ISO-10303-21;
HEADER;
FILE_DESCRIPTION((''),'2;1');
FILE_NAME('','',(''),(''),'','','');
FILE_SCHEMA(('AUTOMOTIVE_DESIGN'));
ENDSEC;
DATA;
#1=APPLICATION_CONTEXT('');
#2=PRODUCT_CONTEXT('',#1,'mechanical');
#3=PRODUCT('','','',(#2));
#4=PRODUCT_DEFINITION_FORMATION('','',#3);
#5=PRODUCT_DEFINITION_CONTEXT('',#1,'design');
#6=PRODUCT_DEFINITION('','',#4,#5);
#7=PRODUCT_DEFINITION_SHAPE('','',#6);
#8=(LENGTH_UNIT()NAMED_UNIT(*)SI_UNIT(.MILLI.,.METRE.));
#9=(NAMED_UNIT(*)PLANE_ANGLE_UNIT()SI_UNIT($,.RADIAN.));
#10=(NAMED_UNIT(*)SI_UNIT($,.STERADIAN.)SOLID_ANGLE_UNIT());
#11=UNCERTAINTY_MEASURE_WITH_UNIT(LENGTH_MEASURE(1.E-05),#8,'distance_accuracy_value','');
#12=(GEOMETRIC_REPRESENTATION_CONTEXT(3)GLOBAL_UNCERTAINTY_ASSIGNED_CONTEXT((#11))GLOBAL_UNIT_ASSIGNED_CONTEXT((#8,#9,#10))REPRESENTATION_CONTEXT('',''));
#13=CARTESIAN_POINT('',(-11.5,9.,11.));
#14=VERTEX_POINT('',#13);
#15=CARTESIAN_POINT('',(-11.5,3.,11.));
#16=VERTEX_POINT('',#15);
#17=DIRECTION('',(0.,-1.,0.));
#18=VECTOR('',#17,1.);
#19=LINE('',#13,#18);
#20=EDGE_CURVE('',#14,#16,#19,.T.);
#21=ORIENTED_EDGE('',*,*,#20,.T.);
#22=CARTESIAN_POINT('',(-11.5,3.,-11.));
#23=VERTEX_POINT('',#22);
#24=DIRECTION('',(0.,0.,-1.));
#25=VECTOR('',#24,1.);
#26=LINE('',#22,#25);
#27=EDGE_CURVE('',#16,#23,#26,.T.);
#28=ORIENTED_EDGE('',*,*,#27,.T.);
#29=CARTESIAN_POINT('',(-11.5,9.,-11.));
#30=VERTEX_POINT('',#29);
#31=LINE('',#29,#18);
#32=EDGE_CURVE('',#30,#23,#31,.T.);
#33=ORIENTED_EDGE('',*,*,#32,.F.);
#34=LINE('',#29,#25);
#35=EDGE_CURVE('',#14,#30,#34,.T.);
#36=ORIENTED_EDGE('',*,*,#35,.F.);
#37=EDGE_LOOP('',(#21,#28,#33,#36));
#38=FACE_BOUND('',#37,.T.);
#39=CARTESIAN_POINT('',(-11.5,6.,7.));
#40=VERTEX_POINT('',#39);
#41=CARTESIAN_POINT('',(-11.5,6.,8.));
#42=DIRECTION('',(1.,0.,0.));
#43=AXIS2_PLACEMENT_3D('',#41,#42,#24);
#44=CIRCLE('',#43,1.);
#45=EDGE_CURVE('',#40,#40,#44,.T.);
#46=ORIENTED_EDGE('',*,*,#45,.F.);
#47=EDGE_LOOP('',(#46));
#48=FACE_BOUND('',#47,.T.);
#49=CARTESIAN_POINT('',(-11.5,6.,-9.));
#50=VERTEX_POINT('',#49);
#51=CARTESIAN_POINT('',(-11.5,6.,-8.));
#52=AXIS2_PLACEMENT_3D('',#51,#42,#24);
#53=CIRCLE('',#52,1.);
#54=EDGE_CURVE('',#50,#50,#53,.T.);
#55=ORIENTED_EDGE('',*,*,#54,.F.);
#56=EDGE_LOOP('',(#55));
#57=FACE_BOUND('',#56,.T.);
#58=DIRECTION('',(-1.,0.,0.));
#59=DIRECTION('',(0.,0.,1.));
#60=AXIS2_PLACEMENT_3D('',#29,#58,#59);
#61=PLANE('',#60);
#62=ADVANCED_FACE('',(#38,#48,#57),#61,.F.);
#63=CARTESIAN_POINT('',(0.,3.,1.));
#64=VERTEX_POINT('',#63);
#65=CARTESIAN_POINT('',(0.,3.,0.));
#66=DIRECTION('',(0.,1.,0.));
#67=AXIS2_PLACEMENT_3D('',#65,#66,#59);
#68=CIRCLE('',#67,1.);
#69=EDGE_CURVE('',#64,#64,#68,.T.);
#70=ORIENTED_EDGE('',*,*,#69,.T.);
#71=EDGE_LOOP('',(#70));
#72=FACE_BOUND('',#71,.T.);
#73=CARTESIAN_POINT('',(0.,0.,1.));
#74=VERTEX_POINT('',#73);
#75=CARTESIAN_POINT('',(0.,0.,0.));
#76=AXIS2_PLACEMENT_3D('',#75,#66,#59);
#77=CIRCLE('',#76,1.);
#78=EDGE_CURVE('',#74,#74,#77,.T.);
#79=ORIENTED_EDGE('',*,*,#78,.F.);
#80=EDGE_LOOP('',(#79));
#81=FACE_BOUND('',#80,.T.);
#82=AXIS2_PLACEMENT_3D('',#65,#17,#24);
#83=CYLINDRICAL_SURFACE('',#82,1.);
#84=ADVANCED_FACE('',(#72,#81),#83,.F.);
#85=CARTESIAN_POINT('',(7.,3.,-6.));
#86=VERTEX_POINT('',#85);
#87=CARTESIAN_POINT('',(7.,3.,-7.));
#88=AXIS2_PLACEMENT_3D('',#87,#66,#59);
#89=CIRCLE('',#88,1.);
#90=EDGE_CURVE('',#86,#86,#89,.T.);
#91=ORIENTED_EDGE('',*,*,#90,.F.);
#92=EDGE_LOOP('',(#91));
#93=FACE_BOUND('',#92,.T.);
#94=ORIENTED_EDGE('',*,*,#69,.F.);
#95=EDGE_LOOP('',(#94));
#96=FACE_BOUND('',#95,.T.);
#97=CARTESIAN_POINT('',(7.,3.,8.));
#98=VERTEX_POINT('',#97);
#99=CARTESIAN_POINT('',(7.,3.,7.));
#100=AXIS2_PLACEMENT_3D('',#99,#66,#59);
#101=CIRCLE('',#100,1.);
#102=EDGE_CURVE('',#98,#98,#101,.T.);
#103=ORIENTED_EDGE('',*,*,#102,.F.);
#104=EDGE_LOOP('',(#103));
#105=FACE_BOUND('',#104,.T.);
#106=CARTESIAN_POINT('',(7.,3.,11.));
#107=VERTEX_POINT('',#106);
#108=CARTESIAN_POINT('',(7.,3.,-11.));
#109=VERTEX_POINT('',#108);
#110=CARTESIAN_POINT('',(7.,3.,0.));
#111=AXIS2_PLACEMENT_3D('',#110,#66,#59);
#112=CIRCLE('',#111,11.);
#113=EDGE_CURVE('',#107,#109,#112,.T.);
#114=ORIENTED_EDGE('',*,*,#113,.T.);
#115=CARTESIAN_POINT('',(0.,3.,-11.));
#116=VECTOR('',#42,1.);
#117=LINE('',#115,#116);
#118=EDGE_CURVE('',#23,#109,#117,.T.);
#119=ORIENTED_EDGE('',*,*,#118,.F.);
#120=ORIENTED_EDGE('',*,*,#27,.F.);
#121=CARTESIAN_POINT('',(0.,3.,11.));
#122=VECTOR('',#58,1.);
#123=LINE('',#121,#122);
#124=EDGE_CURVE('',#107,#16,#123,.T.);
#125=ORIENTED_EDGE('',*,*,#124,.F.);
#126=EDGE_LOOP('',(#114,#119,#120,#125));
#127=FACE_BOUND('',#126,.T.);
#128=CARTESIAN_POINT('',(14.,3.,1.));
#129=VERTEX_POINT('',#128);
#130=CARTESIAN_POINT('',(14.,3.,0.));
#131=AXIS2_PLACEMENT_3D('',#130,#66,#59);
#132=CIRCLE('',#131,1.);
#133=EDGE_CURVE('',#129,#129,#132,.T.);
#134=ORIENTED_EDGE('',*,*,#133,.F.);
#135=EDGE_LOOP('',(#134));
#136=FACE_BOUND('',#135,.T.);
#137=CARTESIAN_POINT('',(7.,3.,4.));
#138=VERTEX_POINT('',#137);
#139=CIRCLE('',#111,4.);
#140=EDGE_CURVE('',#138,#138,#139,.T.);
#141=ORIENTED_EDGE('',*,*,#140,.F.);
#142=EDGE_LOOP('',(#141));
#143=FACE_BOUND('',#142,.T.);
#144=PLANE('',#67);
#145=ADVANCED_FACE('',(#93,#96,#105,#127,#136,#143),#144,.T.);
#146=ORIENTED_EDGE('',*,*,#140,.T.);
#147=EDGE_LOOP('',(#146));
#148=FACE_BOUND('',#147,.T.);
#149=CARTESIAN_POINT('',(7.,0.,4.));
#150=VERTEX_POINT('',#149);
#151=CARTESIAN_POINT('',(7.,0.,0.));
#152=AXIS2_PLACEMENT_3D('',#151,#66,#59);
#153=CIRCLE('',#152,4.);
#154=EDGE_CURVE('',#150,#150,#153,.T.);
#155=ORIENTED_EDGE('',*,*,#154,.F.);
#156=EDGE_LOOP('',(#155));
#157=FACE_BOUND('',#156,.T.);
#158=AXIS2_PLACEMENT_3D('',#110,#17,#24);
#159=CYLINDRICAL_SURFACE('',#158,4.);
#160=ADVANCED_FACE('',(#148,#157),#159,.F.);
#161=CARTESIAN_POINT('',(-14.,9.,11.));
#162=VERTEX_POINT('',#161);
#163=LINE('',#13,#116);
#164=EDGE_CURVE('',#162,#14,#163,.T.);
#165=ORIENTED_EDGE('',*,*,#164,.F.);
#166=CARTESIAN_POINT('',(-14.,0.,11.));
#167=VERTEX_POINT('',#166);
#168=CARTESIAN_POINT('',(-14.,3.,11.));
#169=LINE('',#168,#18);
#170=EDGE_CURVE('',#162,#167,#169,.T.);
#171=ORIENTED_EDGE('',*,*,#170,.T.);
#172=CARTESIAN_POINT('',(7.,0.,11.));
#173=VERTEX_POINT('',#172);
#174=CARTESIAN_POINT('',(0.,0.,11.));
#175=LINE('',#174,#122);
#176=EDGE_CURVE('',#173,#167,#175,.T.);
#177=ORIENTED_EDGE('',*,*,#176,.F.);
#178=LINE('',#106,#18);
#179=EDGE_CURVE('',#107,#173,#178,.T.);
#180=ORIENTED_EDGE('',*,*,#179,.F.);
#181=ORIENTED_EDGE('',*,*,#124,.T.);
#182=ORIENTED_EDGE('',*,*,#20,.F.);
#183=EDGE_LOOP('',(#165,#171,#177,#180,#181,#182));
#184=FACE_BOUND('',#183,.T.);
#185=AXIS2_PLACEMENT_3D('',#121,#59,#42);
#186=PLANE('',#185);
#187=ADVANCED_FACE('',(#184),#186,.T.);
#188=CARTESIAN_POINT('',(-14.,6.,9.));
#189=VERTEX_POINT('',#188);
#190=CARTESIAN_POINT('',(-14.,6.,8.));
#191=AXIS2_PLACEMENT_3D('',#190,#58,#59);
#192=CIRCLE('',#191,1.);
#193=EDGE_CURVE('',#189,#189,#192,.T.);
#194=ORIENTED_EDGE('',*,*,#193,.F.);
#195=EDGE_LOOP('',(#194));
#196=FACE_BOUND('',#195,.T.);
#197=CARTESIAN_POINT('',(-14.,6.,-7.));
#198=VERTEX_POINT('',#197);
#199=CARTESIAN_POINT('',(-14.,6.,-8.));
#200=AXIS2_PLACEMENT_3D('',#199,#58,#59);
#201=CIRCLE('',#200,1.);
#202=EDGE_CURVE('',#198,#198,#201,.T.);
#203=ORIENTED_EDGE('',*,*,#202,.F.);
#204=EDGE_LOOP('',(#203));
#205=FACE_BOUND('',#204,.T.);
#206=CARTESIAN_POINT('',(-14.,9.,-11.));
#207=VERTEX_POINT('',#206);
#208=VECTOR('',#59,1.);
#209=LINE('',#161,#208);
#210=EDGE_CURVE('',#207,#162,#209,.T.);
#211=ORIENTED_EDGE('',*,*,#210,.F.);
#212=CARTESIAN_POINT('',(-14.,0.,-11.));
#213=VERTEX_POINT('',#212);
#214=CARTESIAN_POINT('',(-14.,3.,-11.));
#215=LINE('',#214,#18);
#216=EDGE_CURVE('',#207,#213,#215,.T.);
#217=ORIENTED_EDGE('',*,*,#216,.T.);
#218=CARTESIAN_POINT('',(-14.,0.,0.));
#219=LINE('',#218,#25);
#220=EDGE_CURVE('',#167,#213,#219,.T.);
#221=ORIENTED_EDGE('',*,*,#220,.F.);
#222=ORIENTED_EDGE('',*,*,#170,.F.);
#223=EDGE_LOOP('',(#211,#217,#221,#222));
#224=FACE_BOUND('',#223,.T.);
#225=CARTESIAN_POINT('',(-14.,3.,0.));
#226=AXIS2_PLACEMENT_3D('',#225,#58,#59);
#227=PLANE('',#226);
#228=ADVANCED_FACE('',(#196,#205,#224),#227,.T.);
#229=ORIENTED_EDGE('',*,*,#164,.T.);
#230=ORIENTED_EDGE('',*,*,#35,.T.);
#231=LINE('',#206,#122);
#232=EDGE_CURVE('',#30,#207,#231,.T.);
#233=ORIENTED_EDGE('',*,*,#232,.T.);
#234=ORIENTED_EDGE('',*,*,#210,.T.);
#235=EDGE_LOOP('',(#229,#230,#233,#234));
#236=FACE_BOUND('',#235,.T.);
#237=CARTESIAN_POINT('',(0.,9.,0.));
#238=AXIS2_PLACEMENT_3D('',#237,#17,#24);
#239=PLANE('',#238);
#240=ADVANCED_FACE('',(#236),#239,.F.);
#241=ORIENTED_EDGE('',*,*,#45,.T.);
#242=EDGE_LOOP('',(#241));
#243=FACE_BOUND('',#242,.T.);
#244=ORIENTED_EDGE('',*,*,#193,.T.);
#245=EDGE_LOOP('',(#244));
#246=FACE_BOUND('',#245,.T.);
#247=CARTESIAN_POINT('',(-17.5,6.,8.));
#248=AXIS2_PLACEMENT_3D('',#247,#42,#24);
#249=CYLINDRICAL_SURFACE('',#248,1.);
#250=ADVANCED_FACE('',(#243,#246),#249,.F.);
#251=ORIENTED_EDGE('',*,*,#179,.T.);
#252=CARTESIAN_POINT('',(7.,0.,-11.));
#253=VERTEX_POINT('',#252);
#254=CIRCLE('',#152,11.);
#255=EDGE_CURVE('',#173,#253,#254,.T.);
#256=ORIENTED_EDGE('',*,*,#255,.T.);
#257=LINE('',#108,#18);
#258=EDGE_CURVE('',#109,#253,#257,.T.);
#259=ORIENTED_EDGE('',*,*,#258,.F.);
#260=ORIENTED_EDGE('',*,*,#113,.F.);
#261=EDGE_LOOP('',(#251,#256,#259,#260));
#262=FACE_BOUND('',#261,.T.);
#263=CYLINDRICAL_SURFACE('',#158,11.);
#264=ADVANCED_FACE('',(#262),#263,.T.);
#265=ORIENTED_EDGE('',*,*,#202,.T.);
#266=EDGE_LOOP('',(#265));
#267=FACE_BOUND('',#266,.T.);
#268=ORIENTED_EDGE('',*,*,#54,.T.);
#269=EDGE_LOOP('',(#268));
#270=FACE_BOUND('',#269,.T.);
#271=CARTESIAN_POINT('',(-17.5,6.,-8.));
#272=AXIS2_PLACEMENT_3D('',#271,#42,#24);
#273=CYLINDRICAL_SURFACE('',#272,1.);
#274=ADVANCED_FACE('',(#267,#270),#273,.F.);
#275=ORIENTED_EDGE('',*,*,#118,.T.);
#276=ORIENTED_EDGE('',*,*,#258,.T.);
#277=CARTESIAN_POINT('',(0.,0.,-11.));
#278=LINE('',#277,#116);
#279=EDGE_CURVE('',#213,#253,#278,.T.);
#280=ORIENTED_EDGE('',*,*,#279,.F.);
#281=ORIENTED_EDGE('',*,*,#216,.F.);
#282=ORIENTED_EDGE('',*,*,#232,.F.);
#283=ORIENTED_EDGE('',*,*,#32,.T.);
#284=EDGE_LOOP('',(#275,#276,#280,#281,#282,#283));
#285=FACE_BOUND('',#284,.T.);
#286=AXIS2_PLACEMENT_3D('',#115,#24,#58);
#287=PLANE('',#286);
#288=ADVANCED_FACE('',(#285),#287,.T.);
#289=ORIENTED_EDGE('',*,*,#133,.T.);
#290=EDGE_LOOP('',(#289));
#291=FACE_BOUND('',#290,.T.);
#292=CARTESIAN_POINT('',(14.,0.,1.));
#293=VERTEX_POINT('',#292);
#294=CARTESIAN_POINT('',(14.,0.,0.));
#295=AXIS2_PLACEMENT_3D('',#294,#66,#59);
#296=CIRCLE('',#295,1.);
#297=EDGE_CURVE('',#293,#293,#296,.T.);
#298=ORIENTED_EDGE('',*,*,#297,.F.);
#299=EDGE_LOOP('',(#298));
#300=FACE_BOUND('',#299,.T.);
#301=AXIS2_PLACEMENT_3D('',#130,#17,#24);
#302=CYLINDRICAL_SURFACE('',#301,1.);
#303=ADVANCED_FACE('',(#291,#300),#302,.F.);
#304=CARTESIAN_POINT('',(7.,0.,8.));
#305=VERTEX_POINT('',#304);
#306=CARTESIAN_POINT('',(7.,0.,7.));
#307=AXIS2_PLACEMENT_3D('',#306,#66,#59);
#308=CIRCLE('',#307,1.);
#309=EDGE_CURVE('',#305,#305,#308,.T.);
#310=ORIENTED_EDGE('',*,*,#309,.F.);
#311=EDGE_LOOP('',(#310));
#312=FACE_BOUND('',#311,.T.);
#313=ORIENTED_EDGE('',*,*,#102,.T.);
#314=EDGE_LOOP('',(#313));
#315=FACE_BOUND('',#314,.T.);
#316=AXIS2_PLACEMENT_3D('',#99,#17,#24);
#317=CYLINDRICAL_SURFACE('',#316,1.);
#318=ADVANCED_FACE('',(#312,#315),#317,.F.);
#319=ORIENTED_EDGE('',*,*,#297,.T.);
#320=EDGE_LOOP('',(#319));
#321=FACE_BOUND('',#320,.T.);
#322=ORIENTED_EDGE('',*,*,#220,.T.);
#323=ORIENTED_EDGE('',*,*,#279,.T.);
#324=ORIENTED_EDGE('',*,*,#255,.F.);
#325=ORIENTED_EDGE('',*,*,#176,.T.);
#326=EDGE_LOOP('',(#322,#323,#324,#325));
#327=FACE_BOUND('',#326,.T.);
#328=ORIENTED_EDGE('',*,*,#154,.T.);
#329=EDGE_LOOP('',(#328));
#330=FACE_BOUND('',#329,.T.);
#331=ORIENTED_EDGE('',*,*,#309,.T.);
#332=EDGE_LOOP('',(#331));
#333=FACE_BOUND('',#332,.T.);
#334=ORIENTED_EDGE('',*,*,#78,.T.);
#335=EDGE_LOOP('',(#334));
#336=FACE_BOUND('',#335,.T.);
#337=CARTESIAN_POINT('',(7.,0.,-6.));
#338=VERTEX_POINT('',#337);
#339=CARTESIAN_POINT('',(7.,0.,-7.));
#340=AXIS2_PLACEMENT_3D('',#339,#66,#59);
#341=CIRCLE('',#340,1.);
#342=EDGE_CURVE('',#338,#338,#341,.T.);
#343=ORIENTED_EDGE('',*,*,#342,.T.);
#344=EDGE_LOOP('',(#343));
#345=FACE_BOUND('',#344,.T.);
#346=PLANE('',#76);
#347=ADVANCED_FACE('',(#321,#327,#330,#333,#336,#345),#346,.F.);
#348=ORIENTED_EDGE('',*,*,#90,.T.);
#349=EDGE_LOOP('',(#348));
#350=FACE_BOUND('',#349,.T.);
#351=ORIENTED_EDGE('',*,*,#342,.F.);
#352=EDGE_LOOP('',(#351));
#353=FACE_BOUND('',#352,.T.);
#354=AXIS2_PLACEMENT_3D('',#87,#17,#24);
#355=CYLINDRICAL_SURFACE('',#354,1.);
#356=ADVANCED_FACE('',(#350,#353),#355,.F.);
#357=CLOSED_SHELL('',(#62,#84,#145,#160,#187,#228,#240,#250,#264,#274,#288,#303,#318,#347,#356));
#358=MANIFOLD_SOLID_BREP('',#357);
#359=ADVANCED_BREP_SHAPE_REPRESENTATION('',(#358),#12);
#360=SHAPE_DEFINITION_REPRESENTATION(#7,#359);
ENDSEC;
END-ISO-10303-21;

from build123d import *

# Parameters (mm, degrees)
SKETCH1_R           = 1
SKETCH1_R_2         = 4
BOSS_EXTRUDE1_DEPTH = 3
SKETCH2_W           = 2.5
SKETCH2_H           = 22
BOSS_EXTRUDE2_DEPTH = 6
SKETCH3_R           = 1
CUT_EXTRUDE1_DEPTH  = 6


with BuildPart() as part:
    # Sketch1 → Boss-Extrude1 (new body)
    with BuildSketch(Plane(origin=(0, 0, 0), x_dir=(1, 0, 0), z_dir=(0, 1, 0))):
        with BuildLine():
            Line((-14, -11), (-14, 11))
            Line((-14, 11), (7, 11))
            ThreePointArc((7, 11), (18, 0), (7, -11))
            Line((7, -11), (-14, -11))
        make_face()
        with Locations((7, -7)):
            Circle(SKETCH1_R, mode=Mode.SUBTRACT)
        Circle(SKETCH1_R, mode=Mode.SUBTRACT)
        with Locations((7, 0)):
            Circle(SKETCH1_R_2, mode=Mode.SUBTRACT)
        with Locations((14, 0)):
            Circle(SKETCH1_R, mode=Mode.SUBTRACT)
        with Locations((7, 7)):
            Circle(SKETCH1_R, mode=Mode.SUBTRACT)
    extrude(amount=BOSS_EXTRUDE1_DEPTH)

    # Sketch2 → Boss-Extrude2 (add)
    with BuildSketch(Plane(origin=(0, 3, 0), x_dir=(1, 0, 0), z_dir=(0, 1, 0))):
        with Locations((-12.75, 0)):
            Rectangle(SKETCH2_W, SKETCH2_H)
    extrude(amount=BOSS_EXTRUDE2_DEPTH)

    # Sketch3 → Cut-Extrude1 (cut)
    with BuildSketch(Plane(origin=(-11.5, 0, 0), x_dir=(0, 0, -1), z_dir=(1, 0, 0))):
        with Locations((8, 6)):
            Circle(SKETCH3_R)
        with Locations((-8, 6)):
            Circle(SKETCH3_R)
    extrude(amount=-CUT_EXTRUDE1_DEPTH, mode=Mode.SUBTRACT)


solid = part.part
